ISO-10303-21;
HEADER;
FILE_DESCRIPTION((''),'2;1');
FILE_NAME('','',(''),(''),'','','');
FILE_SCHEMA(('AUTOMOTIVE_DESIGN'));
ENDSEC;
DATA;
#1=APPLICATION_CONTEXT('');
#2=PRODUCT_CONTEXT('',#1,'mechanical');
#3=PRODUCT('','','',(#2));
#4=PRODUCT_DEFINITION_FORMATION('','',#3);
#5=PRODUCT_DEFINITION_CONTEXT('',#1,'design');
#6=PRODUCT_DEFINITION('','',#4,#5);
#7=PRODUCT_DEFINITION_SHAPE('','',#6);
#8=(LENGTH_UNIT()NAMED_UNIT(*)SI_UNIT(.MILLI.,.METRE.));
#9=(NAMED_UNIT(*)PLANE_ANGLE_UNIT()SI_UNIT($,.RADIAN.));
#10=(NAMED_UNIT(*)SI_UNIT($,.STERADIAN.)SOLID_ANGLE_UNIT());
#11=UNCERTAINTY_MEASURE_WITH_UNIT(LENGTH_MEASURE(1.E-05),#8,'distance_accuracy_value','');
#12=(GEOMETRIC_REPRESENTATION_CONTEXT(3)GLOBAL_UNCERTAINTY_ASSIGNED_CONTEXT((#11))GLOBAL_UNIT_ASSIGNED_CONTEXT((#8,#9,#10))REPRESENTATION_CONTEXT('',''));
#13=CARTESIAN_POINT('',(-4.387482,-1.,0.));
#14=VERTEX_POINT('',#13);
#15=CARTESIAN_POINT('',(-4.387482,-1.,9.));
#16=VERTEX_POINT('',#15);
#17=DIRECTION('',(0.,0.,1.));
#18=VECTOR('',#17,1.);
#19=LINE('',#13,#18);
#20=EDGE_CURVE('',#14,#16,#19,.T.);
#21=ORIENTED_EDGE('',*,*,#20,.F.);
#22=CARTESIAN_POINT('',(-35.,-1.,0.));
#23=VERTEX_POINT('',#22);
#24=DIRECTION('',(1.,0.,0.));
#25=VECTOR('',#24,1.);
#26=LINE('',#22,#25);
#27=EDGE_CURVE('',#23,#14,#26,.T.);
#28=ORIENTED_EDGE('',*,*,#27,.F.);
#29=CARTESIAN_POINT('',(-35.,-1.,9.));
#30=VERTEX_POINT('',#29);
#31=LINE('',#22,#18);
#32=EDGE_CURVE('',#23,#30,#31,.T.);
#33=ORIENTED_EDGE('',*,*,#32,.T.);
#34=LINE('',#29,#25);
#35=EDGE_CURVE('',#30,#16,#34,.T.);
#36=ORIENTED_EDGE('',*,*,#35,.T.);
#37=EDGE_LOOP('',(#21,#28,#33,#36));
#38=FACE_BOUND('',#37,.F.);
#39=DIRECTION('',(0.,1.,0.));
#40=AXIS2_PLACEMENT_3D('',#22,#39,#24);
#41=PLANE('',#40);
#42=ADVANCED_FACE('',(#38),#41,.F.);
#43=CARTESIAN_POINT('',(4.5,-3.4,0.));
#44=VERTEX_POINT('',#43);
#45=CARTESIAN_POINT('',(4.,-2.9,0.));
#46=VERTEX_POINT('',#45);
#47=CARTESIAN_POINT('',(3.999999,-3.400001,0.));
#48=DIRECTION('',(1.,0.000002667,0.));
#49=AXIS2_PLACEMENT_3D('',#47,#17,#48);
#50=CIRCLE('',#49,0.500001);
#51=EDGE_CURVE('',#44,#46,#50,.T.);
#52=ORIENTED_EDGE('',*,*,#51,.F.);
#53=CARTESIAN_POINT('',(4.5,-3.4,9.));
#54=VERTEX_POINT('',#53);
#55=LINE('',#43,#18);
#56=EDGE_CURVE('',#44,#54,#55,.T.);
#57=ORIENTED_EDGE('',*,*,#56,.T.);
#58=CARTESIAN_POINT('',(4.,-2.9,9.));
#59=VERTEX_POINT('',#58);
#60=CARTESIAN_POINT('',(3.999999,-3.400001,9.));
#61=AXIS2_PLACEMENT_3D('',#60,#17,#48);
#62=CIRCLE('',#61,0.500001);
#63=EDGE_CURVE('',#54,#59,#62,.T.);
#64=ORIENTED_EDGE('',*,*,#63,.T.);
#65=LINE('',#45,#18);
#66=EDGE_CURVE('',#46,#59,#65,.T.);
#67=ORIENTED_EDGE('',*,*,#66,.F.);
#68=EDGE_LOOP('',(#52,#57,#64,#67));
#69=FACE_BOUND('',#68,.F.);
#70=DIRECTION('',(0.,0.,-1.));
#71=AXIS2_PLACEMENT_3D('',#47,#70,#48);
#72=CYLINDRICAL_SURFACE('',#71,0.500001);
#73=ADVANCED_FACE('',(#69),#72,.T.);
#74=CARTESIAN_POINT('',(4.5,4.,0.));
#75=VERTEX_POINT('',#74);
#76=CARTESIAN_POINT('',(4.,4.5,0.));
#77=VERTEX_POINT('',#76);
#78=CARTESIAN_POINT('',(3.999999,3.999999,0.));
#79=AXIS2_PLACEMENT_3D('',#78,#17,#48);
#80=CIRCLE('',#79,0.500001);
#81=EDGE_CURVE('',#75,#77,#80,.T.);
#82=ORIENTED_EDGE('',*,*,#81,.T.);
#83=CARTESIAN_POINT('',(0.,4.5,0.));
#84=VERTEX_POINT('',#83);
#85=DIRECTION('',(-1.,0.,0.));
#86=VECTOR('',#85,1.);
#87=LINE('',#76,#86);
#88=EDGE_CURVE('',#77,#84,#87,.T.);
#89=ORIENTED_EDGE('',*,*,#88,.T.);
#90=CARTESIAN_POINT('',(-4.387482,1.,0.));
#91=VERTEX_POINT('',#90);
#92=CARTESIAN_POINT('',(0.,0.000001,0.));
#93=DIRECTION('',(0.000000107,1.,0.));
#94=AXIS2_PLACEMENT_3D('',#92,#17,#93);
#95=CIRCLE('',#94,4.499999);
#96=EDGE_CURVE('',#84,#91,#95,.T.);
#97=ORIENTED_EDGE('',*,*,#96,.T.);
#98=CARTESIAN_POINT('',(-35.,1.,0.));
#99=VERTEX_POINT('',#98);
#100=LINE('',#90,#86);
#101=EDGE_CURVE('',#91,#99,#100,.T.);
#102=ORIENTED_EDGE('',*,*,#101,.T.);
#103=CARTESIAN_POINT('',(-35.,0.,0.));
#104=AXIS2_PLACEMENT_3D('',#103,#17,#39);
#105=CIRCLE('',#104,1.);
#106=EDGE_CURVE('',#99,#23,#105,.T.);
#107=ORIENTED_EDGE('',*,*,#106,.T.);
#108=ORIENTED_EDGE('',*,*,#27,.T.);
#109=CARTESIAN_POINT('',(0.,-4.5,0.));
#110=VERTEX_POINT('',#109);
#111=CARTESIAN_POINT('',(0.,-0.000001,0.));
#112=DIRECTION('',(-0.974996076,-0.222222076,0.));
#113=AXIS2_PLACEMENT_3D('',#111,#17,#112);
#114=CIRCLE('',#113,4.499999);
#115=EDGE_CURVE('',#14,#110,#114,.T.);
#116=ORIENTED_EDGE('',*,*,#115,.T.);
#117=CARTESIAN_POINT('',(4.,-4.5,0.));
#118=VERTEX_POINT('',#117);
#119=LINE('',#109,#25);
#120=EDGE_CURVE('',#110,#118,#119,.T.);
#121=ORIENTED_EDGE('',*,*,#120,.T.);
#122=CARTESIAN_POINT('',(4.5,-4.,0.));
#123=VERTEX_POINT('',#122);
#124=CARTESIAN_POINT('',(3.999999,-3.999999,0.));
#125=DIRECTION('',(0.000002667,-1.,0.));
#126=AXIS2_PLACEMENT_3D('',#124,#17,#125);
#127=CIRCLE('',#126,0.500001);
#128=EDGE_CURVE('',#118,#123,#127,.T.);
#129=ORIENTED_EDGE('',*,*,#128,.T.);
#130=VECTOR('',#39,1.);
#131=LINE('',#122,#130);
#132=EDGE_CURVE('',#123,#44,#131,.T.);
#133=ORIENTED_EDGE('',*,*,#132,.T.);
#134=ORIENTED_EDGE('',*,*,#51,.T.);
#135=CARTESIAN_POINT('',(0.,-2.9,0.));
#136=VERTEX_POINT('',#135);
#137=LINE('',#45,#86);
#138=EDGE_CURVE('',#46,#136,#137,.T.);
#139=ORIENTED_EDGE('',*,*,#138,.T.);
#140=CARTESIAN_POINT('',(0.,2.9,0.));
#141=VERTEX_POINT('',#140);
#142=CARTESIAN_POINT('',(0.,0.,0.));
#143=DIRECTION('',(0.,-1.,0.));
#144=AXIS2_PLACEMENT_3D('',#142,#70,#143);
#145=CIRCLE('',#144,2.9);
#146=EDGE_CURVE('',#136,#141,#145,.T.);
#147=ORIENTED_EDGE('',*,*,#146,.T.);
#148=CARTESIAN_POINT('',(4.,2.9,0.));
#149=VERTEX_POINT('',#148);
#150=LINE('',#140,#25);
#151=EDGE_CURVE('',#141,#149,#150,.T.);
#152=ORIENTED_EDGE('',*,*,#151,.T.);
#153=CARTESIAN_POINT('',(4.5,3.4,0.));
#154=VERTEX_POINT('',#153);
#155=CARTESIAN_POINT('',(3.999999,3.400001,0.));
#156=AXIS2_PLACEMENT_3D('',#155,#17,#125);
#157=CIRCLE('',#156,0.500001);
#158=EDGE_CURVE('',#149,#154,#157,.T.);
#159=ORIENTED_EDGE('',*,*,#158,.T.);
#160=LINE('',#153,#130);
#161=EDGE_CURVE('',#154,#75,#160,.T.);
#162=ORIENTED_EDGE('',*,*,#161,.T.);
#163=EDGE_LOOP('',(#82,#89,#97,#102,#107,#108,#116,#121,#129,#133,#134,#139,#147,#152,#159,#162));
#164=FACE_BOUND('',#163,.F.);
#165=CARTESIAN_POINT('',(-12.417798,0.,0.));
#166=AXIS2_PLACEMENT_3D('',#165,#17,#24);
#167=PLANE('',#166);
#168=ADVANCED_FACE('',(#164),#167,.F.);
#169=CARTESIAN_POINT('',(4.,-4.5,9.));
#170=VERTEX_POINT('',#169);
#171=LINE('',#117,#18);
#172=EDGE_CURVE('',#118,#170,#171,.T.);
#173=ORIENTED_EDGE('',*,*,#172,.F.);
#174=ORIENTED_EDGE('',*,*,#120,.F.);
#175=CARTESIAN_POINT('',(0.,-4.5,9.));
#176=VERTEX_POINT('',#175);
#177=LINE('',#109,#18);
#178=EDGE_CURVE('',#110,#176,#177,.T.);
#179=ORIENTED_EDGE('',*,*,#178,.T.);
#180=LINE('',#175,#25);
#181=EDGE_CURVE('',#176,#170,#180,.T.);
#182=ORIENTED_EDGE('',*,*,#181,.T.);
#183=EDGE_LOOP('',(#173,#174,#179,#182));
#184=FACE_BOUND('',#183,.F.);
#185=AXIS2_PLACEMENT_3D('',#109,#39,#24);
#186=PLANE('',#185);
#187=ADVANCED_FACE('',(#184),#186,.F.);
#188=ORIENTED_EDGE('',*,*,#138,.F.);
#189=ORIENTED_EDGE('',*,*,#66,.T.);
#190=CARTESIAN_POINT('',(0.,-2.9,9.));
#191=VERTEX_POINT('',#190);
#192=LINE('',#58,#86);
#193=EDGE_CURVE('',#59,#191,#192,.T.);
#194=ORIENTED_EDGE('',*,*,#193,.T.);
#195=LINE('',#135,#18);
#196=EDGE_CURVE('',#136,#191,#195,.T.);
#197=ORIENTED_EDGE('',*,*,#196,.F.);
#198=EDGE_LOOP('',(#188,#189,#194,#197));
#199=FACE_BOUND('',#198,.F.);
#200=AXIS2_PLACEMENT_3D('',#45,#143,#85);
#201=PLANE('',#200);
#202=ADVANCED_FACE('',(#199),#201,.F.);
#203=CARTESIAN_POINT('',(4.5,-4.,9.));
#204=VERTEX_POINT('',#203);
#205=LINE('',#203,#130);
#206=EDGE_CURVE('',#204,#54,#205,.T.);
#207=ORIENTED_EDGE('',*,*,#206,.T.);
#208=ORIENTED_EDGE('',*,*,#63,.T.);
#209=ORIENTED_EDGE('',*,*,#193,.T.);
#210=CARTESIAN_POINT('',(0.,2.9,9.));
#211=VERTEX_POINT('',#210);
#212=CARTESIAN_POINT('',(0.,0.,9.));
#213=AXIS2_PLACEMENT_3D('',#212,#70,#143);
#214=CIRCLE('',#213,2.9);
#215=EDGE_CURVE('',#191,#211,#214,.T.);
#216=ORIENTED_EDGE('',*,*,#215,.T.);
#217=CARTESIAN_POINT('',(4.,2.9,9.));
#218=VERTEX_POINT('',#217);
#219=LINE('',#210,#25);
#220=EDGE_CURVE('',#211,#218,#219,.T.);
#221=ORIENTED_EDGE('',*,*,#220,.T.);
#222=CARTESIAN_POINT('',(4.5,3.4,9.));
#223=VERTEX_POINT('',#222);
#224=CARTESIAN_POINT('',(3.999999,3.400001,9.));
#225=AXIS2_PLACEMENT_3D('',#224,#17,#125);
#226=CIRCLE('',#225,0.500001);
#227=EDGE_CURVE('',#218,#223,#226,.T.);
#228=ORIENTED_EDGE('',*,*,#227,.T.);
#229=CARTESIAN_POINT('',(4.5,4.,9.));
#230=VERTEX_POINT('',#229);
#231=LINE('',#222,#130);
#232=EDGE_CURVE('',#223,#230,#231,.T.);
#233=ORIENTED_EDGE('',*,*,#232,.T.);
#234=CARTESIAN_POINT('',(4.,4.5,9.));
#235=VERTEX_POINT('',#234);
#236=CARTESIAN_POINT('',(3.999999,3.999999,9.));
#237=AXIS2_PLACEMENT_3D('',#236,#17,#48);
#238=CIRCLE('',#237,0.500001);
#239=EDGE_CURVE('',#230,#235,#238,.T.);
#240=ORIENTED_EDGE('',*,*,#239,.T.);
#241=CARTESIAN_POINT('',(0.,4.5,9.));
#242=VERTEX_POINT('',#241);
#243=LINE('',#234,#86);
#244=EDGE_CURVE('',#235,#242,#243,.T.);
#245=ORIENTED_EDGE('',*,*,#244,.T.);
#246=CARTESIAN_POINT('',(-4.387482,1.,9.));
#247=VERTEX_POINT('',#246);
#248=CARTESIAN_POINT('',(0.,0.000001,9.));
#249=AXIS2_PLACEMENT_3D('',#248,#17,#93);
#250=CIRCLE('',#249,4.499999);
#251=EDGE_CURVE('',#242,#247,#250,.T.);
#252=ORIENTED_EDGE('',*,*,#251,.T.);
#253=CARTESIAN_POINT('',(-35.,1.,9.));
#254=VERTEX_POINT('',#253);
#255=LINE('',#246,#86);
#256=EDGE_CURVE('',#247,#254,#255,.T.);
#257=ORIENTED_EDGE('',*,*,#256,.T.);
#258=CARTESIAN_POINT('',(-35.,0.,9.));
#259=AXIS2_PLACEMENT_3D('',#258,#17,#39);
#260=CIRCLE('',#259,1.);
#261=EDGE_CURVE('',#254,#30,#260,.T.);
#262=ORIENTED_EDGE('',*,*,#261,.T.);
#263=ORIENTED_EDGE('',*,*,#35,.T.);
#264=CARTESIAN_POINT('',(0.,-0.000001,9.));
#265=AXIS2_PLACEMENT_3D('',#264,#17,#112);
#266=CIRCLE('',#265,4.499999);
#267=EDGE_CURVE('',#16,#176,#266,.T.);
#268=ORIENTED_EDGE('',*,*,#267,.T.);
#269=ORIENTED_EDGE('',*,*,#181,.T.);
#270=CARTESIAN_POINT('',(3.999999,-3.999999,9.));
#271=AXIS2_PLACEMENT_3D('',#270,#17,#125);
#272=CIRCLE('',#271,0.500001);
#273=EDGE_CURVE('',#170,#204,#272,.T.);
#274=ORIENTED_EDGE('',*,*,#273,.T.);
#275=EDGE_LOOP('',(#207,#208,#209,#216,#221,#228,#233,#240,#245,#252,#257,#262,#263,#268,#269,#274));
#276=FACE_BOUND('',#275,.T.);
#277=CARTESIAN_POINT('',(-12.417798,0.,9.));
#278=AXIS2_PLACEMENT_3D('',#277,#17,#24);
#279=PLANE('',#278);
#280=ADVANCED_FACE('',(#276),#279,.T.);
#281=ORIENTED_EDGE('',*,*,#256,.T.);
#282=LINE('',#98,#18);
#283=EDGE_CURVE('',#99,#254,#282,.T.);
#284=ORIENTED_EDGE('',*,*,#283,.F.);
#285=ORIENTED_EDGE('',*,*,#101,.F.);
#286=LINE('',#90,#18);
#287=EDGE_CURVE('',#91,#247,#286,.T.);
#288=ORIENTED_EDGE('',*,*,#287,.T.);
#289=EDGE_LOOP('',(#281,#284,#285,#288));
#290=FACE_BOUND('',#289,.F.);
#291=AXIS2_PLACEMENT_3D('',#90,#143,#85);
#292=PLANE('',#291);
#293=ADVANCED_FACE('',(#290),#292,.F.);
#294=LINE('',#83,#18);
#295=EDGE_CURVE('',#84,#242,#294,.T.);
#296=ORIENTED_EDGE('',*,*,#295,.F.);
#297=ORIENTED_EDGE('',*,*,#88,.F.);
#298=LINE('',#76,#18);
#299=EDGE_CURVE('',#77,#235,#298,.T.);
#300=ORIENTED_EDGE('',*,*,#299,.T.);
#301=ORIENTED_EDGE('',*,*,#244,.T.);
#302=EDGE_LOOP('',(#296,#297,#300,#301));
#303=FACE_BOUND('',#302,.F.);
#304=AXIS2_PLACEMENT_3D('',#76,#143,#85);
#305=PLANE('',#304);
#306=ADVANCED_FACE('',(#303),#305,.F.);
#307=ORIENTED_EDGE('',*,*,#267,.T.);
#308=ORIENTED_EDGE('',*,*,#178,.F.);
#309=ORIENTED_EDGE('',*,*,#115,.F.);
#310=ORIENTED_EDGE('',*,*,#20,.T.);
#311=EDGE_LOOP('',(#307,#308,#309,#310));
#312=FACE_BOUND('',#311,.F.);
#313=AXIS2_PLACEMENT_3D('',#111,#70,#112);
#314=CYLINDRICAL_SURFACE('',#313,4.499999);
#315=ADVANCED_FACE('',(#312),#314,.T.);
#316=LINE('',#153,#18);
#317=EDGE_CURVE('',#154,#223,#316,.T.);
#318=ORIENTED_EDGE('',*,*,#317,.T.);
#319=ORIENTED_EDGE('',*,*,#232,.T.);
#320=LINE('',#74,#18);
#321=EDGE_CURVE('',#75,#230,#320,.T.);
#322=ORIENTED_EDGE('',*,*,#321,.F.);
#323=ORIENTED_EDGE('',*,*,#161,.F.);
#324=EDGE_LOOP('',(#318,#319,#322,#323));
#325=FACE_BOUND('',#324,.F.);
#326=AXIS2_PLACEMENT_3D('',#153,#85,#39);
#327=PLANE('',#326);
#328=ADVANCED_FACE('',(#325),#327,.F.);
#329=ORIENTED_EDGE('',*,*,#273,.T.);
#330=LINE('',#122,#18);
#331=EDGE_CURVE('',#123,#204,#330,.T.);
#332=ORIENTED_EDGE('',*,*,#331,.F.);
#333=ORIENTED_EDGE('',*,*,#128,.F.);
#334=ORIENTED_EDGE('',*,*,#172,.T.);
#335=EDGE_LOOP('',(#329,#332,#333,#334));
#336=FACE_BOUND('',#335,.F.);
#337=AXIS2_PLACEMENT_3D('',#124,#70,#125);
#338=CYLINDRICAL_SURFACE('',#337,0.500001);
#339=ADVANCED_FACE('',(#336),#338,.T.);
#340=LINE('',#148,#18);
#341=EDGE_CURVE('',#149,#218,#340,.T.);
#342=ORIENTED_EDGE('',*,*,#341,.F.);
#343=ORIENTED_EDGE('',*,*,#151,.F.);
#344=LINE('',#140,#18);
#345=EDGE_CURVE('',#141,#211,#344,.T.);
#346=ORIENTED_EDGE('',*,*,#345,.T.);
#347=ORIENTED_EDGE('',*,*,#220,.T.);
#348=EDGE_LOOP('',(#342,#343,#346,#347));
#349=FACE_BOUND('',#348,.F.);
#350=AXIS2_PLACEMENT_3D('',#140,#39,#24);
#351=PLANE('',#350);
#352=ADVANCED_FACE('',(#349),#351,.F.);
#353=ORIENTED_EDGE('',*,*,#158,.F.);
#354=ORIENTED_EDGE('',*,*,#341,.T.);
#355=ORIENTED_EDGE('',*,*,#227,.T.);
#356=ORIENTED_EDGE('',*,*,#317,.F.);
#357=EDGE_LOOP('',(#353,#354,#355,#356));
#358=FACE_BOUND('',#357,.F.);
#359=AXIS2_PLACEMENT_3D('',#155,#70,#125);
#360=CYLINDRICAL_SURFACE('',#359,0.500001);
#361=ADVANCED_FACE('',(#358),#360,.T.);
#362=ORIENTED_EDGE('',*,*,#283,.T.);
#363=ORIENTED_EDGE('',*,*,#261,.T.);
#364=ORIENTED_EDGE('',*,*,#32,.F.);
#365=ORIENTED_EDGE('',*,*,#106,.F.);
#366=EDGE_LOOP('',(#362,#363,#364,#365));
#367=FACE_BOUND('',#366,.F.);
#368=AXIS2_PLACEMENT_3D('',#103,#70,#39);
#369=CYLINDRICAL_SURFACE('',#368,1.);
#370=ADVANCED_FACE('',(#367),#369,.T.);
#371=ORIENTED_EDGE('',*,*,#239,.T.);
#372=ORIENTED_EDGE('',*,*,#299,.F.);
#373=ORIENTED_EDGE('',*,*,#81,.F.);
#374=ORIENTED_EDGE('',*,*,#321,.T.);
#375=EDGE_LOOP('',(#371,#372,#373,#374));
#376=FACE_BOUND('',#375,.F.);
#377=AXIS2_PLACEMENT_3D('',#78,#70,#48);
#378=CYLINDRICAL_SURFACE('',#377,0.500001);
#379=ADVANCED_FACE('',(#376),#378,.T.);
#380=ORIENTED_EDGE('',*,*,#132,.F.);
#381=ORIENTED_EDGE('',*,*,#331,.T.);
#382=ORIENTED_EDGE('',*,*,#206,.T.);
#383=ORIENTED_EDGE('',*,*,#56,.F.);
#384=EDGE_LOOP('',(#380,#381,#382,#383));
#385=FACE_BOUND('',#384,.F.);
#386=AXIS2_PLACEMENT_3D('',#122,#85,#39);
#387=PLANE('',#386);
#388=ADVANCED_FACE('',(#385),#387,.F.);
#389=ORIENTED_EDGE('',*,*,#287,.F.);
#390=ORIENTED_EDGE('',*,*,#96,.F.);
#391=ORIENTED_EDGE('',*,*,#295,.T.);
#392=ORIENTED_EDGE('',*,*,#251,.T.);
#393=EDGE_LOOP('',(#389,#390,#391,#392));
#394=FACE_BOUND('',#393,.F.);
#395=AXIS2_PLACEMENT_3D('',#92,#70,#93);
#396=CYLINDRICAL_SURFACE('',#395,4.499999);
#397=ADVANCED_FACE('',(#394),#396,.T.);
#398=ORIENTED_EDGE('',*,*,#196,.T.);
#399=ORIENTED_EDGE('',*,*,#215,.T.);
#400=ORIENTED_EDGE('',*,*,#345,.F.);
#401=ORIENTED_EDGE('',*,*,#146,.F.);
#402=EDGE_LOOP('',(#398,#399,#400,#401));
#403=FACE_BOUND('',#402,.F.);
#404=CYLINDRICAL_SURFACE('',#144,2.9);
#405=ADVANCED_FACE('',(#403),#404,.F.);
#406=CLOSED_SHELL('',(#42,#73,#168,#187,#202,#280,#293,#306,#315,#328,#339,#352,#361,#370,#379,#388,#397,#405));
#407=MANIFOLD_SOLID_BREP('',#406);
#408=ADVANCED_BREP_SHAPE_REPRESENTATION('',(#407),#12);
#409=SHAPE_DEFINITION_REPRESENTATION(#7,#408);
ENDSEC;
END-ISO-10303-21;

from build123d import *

# Parameters (mm, degrees)
F1_DEPTH = 9


with BuildPart() as f1:
    # F0 (on Top) → F1 (new body)
    with BuildSketch(Plane.XY):
        with BuildLine():
            ThreePointArc((0, -2.9), (-2.9, 0), (0, 2.9))
            Line((0, 2.9), (4, 2.9))
            ThreePointArc((4, 2.9), (4.353553, 3.046447), (4.5, 3.4))
            Line((4.5, 3.4), (4.5, 4))
            ThreePointArc((4.5, 4), (4.353553, 4.353553), (4, 4.5))
            Line((4, 4.5), (0, 4.5))
            ThreePointArc((0, 4.5), (-2.806243, 3.517812), (-4.387482, 1))
            Line((-4.387482, 1), (-35, 1))
            ThreePointArc((-35, 1), (-36, 0), (-35, -1))
            Line((-35, -1), (-4.387482, -1))
            ThreePointArc((-4.387482, -1), (-2.806243, -3.517812), (0, -4.5))
            Line((0, -4.5), (4, -4.5))
            ThreePointArc((4, -4.5), (4.353553, -4.353553), (4.5, -4))
            Line((4.5, -4), (4.5, -3.4))
            ThreePointArc((4.5, -3.4), (4.353553, -3.046447), (4, -2.9))
            Line((4, -2.9), (0, -2.9))
        make_face()
    extrude(amount=F1_DEPTH)


solid = f1.part
